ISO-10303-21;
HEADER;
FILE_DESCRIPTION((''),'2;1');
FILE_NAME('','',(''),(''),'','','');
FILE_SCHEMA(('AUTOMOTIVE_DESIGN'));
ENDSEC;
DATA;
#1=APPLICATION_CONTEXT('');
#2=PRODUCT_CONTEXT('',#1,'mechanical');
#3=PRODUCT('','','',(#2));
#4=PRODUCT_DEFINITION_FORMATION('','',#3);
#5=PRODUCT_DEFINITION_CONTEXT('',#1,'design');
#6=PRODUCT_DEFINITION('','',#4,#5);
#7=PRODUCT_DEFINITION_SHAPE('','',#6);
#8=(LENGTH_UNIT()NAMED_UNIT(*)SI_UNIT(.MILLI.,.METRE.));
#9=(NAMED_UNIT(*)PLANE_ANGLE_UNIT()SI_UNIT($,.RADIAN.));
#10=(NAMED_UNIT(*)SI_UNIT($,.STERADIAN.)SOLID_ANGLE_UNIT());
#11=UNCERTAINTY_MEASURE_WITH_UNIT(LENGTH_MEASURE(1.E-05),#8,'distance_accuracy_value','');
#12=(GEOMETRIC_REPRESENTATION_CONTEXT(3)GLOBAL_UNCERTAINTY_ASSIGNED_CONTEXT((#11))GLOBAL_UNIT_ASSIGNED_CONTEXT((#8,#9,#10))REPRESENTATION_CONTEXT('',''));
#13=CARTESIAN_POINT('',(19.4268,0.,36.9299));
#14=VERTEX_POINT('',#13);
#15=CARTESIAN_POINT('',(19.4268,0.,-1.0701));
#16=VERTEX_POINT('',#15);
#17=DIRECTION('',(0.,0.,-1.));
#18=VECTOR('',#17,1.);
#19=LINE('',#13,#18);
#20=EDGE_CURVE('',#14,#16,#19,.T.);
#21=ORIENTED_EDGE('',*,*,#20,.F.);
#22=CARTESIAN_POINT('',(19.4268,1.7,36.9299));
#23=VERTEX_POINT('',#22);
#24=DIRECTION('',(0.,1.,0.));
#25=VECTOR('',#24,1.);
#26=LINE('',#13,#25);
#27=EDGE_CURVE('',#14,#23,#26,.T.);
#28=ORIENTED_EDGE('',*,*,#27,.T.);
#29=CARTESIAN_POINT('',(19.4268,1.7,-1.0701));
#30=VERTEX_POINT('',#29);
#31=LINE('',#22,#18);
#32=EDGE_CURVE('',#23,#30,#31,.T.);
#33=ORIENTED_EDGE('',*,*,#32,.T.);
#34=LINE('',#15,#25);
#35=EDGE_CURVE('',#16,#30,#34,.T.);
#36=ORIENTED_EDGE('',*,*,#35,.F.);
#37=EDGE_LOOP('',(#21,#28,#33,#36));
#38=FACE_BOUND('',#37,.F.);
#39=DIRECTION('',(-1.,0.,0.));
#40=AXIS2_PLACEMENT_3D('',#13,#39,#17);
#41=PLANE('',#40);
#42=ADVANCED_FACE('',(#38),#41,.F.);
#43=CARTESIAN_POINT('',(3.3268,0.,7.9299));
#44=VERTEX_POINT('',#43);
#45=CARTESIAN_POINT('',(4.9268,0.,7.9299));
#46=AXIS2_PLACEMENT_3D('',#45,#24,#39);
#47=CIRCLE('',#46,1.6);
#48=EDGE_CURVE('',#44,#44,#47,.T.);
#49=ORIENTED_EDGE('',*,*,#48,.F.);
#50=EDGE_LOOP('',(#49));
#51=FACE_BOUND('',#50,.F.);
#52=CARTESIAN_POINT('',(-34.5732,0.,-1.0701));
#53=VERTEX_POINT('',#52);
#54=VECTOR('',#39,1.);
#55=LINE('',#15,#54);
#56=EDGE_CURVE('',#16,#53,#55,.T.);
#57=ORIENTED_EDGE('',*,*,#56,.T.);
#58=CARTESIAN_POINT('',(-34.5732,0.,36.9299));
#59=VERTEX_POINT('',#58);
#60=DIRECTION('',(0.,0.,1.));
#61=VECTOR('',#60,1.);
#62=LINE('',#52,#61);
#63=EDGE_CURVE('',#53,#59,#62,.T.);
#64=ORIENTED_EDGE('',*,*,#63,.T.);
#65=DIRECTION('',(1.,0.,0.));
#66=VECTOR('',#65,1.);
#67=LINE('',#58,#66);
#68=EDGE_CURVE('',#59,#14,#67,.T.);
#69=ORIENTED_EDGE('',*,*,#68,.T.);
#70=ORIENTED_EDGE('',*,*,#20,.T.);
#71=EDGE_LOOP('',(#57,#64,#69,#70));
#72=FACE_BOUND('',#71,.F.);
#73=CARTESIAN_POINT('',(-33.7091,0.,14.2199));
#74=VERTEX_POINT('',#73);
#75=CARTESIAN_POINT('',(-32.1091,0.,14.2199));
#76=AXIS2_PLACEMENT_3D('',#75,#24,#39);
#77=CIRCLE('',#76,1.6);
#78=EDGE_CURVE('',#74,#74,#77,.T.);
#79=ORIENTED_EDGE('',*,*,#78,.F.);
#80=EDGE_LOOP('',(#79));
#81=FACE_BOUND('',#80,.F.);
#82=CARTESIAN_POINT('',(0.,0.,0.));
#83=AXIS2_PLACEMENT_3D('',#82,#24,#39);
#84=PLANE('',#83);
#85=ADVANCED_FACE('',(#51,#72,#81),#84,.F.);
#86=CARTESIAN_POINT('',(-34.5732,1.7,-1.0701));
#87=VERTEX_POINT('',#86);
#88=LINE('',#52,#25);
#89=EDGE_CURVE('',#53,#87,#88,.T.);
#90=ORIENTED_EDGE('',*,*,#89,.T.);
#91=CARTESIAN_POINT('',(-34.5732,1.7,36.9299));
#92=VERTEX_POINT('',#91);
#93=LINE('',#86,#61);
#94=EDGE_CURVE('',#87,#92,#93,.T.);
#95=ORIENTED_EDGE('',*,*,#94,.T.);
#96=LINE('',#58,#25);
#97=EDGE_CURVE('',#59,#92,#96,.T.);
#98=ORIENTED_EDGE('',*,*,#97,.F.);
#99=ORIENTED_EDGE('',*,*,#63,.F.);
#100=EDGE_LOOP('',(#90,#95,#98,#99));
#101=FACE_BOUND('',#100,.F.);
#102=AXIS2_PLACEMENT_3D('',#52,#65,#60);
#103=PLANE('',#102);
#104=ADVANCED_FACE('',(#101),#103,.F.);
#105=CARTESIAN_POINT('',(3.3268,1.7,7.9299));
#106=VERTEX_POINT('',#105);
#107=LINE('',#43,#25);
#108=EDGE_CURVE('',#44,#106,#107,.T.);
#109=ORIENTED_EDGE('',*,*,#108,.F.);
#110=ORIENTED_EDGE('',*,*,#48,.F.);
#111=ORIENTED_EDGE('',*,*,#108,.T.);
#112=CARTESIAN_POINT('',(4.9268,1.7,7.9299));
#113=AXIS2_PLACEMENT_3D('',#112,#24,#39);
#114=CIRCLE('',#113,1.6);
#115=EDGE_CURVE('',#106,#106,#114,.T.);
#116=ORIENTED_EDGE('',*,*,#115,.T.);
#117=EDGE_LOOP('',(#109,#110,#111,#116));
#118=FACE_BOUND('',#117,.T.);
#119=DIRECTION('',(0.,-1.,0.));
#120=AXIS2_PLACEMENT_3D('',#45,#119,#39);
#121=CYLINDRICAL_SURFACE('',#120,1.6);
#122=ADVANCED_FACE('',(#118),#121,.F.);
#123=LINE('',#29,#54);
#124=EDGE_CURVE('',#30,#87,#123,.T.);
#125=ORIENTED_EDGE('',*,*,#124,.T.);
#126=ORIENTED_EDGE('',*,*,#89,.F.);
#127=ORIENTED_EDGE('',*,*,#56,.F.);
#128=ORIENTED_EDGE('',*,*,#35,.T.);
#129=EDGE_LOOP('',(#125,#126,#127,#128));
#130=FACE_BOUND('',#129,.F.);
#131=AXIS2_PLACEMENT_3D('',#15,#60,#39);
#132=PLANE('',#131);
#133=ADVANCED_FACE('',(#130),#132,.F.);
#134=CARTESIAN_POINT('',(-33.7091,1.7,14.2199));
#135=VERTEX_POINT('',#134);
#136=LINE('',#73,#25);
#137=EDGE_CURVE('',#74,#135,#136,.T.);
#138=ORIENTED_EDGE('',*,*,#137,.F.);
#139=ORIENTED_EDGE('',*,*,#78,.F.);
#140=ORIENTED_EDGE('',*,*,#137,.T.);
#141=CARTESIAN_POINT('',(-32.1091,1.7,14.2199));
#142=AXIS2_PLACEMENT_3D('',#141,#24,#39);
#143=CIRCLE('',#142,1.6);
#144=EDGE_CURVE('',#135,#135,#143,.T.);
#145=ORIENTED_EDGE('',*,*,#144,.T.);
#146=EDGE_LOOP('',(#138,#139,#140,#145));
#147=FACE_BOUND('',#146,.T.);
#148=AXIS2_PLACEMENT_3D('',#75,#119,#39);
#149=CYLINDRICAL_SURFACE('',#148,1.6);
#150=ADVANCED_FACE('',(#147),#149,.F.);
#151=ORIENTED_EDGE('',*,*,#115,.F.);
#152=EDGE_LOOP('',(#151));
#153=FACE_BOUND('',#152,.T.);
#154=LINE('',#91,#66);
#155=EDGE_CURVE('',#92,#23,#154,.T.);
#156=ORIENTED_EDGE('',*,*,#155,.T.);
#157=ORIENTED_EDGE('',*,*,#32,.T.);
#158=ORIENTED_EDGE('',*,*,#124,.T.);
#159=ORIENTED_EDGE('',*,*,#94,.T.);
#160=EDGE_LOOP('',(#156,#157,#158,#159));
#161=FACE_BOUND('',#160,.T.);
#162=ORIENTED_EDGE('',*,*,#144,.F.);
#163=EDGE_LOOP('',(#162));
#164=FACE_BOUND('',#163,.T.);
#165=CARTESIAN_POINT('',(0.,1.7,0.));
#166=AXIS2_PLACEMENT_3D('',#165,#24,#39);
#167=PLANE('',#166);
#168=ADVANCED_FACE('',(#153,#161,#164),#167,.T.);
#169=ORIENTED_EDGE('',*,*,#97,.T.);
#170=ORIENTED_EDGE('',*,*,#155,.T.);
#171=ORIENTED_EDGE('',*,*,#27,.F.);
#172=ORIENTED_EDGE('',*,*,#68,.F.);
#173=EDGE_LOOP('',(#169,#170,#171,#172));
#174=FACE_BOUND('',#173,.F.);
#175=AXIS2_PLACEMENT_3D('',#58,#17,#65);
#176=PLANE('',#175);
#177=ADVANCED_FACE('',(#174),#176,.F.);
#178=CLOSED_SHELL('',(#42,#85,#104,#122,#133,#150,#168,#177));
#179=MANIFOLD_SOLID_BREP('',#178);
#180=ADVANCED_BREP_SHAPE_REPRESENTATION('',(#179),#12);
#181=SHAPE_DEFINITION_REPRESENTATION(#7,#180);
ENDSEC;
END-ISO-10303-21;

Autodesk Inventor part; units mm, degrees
ref_plane "YZ Plane" through (0, 0, 0) normal (1, 0, 0) x (0, 1, 0)
ref_plane "XZ Plane" through (0, 0, 0) normal (0, 1, 0) x (-1, 0, 0)
ref_plane "XY Plane" through (0, 0, 0) normal (0, 0, 1) x (1, 0, 0)
sketch "Эскиз1" plane through (0, 0, 0) normal (0, 1, 0) x (-1, 0, 0)
  circle A0 centre (-4.9268, 7.9299) radius 1.6
  line L0 (-19.4268, -1.0701) -> (34.5732, -1.0701)
  line L1 (34.5732, -1.0701) -> (34.5732, 36.9299)
  line L2 (34.5732, 36.9299) -> (-19.4268, 36.9299)
  line L3 (-19.4268, 36.9299) -> (-19.4268, -1.0701)
  circle A1 centre (32.1091, 14.2199) radius 1.6
  point P0 (0, 0)
extrude "Выдавливание1" add sketch "Эскиз1" along normal blind 1.7
properties part number "mega_switchboard"
